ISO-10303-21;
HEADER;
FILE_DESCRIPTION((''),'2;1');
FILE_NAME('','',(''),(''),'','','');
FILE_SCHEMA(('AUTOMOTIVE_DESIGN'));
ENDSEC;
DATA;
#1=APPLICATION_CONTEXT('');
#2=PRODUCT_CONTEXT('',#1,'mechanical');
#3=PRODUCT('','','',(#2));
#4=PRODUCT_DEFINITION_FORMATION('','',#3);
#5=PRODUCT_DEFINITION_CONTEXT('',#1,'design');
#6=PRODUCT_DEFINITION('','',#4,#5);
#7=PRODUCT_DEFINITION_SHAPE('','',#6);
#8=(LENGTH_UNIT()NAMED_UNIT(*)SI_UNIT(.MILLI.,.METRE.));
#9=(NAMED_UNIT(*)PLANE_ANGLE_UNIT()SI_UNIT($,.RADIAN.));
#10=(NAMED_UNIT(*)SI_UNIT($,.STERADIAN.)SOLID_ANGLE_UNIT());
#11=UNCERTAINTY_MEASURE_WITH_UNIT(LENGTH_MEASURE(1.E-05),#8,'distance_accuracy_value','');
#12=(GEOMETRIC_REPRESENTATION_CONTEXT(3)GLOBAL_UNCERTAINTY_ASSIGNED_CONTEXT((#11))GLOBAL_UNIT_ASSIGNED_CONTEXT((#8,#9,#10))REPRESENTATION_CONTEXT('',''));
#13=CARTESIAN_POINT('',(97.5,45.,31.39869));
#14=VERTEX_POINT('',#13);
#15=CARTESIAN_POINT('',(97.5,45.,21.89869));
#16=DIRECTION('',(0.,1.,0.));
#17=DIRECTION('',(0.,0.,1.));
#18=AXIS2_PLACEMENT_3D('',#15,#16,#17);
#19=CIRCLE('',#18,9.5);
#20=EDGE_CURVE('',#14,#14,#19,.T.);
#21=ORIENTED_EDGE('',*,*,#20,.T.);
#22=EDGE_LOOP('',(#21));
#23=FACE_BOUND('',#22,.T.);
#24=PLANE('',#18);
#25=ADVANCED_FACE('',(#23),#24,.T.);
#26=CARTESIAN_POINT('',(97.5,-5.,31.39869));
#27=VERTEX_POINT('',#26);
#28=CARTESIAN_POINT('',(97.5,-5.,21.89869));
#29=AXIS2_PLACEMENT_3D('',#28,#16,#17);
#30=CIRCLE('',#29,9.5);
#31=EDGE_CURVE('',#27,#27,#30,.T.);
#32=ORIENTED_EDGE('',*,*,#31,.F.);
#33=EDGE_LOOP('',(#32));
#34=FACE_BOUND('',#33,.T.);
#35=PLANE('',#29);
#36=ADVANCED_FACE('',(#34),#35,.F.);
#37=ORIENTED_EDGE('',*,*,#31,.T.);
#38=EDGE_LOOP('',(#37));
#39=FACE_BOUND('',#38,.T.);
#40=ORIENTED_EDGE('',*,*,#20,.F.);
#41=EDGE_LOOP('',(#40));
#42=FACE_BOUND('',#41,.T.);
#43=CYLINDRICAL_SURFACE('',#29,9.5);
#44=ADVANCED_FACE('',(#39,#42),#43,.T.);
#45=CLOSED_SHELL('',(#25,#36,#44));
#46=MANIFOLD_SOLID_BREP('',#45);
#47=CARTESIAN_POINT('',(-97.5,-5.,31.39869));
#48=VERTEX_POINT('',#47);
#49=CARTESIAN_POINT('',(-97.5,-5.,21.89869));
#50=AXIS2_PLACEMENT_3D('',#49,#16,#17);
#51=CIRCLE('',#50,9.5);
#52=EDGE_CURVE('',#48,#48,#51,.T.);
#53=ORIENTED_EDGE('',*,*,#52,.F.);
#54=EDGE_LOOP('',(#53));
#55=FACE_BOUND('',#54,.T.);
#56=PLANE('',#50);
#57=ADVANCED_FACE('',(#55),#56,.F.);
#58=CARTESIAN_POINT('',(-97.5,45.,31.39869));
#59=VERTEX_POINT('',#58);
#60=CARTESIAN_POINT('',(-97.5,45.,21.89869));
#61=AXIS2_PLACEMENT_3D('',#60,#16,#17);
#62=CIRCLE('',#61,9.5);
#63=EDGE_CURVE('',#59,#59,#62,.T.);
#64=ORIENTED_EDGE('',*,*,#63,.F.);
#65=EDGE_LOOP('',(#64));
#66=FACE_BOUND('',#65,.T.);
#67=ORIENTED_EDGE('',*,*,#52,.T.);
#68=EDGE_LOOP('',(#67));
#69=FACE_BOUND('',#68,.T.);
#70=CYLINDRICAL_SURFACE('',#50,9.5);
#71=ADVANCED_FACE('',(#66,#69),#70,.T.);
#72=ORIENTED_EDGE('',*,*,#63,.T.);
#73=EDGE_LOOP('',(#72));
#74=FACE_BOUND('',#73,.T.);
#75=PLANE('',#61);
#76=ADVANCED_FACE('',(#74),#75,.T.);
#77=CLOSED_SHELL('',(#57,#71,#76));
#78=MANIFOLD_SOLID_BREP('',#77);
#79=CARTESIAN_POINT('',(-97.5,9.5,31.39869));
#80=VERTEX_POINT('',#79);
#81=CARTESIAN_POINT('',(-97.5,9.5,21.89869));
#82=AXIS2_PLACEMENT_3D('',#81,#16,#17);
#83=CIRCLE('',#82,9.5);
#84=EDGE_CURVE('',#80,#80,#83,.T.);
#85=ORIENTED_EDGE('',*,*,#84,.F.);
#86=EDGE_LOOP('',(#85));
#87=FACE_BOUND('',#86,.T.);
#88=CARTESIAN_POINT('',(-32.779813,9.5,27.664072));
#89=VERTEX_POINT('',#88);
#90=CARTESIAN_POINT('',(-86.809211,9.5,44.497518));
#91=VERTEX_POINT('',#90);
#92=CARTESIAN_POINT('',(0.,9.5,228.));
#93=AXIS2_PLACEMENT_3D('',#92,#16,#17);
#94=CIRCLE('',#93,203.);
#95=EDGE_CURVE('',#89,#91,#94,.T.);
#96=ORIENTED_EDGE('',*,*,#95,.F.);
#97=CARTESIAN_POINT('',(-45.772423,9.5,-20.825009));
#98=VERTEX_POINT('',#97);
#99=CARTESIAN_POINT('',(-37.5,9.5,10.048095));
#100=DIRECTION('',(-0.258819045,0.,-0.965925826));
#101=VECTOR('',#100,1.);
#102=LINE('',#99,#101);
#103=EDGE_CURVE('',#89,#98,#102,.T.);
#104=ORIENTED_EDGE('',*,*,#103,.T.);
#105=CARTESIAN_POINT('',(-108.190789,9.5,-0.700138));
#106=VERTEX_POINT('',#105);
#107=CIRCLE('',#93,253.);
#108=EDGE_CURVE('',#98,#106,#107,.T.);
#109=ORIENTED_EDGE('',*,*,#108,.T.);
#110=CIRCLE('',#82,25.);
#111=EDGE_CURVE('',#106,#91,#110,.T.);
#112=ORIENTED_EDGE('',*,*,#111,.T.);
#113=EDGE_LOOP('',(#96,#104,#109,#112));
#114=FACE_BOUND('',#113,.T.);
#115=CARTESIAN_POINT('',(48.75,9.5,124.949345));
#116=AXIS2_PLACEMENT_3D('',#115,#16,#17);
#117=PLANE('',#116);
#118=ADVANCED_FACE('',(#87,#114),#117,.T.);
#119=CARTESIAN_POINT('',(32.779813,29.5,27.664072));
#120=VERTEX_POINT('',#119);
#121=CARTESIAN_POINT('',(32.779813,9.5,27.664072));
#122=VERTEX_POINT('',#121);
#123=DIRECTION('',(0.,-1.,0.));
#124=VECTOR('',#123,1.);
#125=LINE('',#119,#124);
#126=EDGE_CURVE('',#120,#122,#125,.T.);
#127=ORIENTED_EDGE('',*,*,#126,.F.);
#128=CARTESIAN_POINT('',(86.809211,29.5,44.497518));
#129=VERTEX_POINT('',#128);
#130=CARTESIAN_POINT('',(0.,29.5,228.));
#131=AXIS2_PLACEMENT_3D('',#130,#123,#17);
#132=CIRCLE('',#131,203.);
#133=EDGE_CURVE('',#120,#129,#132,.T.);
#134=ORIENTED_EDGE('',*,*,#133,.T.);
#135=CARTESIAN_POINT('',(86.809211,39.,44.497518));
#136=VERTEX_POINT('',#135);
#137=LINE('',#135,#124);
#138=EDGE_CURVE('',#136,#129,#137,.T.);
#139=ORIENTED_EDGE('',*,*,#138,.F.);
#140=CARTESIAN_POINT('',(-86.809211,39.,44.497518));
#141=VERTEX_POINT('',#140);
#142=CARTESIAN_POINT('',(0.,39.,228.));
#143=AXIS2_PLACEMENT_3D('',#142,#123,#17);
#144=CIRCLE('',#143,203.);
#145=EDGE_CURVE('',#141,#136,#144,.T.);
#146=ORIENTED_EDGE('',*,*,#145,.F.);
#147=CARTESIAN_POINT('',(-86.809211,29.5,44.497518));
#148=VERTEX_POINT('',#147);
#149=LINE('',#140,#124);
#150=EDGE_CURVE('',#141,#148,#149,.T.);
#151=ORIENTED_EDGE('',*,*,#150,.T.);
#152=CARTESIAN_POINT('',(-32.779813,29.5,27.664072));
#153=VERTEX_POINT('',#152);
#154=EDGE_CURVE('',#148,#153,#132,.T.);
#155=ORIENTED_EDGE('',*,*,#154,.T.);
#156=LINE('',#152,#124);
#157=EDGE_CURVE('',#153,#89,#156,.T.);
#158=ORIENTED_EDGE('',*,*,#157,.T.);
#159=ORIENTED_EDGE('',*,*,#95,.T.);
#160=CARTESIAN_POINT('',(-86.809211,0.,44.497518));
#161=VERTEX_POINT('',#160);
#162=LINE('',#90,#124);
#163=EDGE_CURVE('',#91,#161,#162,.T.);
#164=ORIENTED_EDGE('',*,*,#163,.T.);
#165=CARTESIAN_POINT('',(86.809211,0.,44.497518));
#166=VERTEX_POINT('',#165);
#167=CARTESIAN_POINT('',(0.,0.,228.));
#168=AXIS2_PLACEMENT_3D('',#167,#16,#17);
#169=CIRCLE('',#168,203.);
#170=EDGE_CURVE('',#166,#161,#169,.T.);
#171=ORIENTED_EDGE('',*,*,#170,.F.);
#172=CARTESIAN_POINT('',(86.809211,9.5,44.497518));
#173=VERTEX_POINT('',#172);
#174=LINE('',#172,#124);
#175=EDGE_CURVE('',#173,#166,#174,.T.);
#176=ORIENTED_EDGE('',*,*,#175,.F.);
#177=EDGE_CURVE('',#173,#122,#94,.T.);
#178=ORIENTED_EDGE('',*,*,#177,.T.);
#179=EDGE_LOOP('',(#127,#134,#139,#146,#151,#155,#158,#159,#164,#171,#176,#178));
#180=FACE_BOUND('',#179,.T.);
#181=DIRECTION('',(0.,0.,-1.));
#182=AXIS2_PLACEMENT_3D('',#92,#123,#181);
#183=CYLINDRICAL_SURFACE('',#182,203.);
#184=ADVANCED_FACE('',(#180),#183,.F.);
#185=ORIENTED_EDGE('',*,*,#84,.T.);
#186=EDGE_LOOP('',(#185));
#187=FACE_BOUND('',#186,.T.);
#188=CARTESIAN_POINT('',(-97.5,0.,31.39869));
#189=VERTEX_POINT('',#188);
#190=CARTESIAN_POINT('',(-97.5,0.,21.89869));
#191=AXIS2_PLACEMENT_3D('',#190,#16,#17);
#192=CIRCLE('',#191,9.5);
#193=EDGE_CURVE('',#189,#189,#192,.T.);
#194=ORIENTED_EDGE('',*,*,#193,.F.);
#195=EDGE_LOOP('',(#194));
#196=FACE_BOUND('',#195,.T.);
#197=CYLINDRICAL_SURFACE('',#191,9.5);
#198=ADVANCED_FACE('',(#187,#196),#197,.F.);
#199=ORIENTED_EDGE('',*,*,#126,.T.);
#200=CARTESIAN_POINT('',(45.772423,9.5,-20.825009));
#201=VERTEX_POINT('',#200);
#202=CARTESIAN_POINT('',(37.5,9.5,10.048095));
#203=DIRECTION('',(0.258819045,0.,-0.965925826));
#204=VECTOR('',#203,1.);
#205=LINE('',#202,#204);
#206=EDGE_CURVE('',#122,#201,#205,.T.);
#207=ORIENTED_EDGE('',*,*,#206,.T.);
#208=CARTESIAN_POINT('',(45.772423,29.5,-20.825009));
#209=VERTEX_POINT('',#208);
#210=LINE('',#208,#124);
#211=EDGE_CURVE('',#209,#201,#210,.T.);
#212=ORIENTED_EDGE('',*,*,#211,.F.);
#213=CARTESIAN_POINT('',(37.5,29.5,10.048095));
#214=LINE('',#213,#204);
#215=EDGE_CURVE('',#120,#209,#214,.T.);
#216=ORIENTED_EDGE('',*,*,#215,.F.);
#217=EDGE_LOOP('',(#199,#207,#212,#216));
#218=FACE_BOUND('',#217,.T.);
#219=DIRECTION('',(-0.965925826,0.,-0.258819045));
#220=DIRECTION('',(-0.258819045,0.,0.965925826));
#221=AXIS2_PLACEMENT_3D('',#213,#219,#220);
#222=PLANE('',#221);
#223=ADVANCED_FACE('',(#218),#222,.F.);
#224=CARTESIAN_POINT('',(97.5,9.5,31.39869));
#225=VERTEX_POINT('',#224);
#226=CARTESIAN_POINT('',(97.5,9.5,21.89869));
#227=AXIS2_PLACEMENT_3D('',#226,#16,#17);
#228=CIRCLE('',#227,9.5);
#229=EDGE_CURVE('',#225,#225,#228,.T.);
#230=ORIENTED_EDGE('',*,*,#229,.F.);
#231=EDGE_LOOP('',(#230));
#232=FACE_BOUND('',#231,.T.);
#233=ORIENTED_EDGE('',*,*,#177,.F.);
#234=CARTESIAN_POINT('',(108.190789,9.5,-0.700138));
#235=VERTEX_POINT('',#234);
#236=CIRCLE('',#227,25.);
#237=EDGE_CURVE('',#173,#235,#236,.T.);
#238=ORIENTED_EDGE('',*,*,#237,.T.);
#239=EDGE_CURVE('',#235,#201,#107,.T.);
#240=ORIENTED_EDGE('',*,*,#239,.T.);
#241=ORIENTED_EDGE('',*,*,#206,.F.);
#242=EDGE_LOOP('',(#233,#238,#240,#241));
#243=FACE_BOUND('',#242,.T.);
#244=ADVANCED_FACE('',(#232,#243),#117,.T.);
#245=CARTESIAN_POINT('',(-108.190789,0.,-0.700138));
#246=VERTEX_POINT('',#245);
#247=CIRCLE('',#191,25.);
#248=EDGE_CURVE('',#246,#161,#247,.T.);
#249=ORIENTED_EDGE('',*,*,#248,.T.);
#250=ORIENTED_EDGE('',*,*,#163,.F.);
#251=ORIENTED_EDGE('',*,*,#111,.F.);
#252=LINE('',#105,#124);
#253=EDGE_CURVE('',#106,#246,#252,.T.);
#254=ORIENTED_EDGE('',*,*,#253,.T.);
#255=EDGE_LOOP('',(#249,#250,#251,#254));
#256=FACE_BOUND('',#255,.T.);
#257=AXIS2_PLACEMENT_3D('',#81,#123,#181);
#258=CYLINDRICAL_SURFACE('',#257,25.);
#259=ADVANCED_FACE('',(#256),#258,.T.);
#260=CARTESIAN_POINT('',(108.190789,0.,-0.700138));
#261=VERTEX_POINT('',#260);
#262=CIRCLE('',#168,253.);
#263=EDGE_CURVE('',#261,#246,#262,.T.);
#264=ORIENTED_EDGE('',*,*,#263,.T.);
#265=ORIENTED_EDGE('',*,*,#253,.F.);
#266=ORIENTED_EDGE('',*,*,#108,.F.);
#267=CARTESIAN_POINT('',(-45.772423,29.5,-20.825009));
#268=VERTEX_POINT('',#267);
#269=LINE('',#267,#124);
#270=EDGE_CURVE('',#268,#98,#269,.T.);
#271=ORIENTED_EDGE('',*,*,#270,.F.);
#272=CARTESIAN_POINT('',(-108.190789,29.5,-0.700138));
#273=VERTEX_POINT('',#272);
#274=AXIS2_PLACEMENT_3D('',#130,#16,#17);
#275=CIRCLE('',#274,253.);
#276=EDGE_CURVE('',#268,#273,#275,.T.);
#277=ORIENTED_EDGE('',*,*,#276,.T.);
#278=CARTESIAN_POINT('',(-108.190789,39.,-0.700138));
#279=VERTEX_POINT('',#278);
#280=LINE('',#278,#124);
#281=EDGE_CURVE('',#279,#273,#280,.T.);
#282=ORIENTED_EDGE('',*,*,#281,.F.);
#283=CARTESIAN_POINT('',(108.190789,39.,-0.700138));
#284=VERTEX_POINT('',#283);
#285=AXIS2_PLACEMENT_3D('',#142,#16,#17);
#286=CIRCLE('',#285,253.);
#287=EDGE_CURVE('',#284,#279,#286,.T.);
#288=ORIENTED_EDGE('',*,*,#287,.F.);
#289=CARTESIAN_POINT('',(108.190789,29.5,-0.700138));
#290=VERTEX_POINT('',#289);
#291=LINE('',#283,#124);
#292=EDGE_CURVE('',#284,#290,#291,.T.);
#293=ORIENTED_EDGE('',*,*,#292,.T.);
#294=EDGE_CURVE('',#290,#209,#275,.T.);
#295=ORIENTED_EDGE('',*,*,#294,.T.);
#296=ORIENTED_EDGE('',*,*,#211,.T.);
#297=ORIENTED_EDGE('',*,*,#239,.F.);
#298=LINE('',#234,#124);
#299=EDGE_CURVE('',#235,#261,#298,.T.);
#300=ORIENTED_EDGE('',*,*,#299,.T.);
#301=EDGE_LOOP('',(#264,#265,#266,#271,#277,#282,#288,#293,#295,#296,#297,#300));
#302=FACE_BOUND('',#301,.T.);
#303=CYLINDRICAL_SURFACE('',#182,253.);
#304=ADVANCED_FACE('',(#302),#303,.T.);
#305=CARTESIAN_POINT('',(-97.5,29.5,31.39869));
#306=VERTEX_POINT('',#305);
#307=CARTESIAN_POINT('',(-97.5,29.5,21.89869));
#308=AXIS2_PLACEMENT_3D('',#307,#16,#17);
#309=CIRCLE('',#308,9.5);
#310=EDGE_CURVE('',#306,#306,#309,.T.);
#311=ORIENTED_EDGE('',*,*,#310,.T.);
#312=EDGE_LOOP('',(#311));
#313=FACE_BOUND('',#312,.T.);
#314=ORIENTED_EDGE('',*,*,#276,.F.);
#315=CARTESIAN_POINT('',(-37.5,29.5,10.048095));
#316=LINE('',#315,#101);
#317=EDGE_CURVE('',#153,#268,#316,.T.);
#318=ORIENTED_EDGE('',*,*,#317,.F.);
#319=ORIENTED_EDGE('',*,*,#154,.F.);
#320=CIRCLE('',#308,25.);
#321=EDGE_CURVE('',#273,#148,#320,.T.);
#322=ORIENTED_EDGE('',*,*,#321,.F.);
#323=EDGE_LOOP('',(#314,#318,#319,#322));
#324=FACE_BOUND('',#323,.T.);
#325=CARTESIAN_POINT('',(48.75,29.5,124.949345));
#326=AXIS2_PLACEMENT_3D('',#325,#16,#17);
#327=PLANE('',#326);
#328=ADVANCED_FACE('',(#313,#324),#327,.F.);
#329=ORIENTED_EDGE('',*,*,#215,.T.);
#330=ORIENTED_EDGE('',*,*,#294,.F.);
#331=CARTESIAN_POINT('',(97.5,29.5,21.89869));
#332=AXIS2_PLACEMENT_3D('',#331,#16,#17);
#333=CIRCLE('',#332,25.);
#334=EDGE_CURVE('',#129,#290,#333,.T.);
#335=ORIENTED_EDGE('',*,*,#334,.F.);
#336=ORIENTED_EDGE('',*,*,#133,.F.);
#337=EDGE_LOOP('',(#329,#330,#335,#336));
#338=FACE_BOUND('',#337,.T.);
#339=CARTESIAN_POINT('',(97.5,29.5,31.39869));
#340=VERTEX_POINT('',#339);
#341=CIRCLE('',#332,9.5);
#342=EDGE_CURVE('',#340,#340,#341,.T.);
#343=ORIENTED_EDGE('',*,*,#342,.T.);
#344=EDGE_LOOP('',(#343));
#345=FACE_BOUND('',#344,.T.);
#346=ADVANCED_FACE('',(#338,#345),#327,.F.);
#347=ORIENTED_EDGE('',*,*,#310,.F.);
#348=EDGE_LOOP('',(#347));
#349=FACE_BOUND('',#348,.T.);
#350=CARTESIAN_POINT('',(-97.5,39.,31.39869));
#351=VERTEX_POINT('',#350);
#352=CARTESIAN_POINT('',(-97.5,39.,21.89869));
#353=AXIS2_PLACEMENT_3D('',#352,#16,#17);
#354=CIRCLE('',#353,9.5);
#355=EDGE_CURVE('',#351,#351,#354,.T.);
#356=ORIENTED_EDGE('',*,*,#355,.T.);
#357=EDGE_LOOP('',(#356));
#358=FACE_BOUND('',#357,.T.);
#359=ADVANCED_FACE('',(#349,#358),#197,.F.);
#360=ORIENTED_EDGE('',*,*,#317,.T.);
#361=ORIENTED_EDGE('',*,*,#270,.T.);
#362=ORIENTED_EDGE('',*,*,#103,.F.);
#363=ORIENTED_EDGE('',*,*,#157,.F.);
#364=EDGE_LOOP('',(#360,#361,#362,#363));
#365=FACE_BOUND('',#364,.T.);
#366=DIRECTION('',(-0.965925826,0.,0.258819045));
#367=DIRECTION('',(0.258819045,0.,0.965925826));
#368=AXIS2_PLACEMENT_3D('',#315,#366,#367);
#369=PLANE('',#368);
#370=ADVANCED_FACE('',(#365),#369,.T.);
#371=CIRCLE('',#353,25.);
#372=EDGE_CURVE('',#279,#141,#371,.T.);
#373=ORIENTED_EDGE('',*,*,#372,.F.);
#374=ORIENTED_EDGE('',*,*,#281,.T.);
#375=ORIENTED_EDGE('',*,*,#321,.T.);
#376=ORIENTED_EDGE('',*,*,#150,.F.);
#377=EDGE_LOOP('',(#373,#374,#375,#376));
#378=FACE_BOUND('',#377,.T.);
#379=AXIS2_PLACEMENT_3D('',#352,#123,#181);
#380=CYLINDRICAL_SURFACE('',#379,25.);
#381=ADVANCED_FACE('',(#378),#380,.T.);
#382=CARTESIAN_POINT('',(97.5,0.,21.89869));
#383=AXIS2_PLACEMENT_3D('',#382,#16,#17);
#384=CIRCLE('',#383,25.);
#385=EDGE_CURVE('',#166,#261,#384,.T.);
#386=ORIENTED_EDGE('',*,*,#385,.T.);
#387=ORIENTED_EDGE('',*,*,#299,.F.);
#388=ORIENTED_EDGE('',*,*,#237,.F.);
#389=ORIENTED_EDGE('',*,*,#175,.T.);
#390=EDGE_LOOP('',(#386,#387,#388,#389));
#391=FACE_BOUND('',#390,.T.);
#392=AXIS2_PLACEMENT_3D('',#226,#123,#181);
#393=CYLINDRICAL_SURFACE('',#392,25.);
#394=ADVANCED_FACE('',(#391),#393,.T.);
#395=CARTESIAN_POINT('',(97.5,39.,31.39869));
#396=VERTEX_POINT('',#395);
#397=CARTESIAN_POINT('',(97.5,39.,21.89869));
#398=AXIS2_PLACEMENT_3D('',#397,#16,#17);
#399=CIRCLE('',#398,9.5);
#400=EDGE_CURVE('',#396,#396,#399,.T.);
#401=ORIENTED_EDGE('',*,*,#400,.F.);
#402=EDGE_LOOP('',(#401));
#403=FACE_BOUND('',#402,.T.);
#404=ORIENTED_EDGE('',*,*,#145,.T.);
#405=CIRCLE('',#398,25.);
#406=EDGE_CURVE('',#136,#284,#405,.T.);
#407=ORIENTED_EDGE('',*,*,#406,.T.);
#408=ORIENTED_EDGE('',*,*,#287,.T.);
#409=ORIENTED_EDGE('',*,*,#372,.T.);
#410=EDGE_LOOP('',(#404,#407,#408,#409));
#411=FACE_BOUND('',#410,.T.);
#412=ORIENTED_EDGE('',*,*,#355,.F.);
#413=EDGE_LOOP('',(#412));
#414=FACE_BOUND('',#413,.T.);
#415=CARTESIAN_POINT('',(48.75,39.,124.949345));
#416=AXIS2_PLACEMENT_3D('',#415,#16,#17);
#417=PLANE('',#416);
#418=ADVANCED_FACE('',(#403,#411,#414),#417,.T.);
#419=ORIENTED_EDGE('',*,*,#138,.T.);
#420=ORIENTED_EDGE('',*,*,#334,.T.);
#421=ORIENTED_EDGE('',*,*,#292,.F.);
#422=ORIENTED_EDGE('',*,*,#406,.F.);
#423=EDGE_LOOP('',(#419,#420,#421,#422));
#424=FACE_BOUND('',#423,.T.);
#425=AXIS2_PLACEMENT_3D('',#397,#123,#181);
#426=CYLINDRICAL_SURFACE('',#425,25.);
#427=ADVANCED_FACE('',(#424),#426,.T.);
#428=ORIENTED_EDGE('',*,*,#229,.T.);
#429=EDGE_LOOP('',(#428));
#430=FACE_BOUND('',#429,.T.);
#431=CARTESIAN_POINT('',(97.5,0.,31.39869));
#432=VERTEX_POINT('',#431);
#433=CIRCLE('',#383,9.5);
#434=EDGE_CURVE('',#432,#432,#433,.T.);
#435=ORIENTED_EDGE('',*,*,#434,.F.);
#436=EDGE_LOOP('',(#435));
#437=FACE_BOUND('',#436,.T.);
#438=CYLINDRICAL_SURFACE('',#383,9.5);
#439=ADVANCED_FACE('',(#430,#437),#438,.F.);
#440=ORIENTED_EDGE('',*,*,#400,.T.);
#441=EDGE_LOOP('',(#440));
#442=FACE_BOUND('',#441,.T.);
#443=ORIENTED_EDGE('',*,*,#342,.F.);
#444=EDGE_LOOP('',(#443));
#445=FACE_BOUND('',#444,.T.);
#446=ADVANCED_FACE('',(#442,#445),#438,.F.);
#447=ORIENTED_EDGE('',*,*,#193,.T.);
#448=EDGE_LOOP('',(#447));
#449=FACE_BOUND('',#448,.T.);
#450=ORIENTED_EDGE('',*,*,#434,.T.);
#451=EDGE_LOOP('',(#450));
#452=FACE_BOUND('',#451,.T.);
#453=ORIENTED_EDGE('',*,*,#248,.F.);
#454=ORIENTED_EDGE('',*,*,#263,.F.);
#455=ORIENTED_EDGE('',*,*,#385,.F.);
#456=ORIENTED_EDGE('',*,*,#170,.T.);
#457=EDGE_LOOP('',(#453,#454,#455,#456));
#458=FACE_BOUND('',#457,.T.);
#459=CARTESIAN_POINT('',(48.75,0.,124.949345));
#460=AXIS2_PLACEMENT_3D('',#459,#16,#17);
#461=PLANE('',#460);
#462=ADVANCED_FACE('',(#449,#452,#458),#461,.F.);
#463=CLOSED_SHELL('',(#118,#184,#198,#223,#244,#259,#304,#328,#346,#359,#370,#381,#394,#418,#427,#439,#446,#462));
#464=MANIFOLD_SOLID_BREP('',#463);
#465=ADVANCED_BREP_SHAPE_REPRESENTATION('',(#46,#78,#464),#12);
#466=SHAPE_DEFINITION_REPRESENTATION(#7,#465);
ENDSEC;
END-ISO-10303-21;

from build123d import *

# Parameters (mm, degrees)
BOSS_EXTRUDE1_DEPTH   = 9.5
BOSS_EXTRUDE2_DEPTH   = 20
BOSS_EXTRUDE3_DEPTH   = 9.5
SKETCH4_R             = 9.5
CUT_EXTRUDE1_DEPTH    = 137.845668985
BOSS_EXTRUDE4_START   = 6
SKETCH4_2_R           = 9.5
BOSS_EXTRUDE4_DEPTH   = 50
BOSS_EXTRUDE4_2_DEPTH = 50


with BuildPart() as part:
    # Sketch1 → Boss-Extrude1 (new body)
    with BuildSketch(Plane(origin=(0, 0, 0), x_dir=(1, 0, 0), z_dir=(0, 1, 0))):
        with BuildLine():
            ThreePointArc((108.190789474, 0.700137895), (0, 25), (-108.190789474, 0.700137895))
            ThreePointArc((-108.190789474, 0.700137895), (-120.098827855, -32.589479434), (-86.809210526, -44.497517816))
            ThreePointArc((-86.809210526, -44.497517816), (0, -25), (86.809210526, -44.497517816))
            ThreePointArc((86.809210526, -44.497517816), (120.098827855, -32.589479434), (108.190789474, 0.700137895))
        make_face()
    extrude(amount=BOSS_EXTRUDE1_DEPTH)

    # Sketch2 → Boss-Extrude2 (add)
    with BuildSketch(Plane(origin=(0, 9.5, 0), x_dir=(1, 0, 0), z_dir=(0, 1, 0))):
        with BuildLine():
            ThreePointArc((45.772423296, 20.825009325), (0, 25), (-45.772423296, 20.825009325))
            Line((-45.772423296, 20.825009325), (-32.779812988, -27.664072467))
            ThreePointArc((-32.779812988, -27.664072467), (0, -25), (32.779812988, -27.664072467))
            Line((32.779812988, -27.664072467), (45.772423296, 20.825009325))
        make_face()
    extrude(amount=BOSS_EXTRUDE2_DEPTH)

    # Sketch3 → Boss-Extrude3 (add)
    with BuildSketch(Plane(origin=(0, 29.5, 0), x_dir=(1, 0, 0), z_dir=(0, 1, 0))):
        with BuildLine():
            ThreePointArc((108.190789474, 0.700137895), (0, 25), (-108.190789474, 0.700137895))
            ThreePointArc((-108.190789474, 0.700137895), (-120.098827855, -32.589479434), (-86.809210526, -44.497517816))
            ThreePointArc((-86.809210526, -44.497517816), (0, -25), (86.809210526, -44.497517816))
            ThreePointArc((86.809210526, -44.497517816), (120.098827855, -32.589479434), (108.190789474, 0.700137895))
        make_face()
    extrude(amount=BOSS_EXTRUDE3_DEPTH)

    # Sketch4 → Cut-Extrude1 (cut, through all)
    with BuildSketch(Plane(origin=(0, 39, 0), x_dir=(1, 0, 0), z_dir=(0, 1, 0))):
        with Locations((-97.5, -21.89868996)):
            Circle(SKETCH4_R)
        with Locations((97.5, -21.89868996)):
            Circle(SKETCH4_R)
    extrude(amount=-CUT_EXTRUDE1_DEPTH, mode=Mode.SUBTRACT)


with BuildPart() as body_2:
    # Sketch4<2> → Boss-Extrude4 (new body)
    with BuildSketch(Plane(origin=(0, 39, 0), x_dir=(1, 0, 0), z_dir=(0, 1, 0)).offset(BOSS_EXTRUDE4_START)):
        with Locations((-97.5, -21.89868996)):
            Circle(SKETCH4_2_R)
    extrude(amount=-BOSS_EXTRUDE4_DEPTH)


with BuildPart() as body_3:
    # Sketch4<2> → Boss-Extrude4 2 (new body)
    with BuildSketch(Plane(origin=(0, 39, 0), x_dir=(1, 0, 0), z_dir=(0, 1, 0)).offset(BOSS_EXTRUDE4_START)):
        with Locations((97.5, -21.89868996)):
            Circle(SKETCH4_2_R)
    extrude(amount=-BOSS_EXTRUDE4_2_DEPTH)


solid = Compound([part.part, body_2.part, body_3.part])
